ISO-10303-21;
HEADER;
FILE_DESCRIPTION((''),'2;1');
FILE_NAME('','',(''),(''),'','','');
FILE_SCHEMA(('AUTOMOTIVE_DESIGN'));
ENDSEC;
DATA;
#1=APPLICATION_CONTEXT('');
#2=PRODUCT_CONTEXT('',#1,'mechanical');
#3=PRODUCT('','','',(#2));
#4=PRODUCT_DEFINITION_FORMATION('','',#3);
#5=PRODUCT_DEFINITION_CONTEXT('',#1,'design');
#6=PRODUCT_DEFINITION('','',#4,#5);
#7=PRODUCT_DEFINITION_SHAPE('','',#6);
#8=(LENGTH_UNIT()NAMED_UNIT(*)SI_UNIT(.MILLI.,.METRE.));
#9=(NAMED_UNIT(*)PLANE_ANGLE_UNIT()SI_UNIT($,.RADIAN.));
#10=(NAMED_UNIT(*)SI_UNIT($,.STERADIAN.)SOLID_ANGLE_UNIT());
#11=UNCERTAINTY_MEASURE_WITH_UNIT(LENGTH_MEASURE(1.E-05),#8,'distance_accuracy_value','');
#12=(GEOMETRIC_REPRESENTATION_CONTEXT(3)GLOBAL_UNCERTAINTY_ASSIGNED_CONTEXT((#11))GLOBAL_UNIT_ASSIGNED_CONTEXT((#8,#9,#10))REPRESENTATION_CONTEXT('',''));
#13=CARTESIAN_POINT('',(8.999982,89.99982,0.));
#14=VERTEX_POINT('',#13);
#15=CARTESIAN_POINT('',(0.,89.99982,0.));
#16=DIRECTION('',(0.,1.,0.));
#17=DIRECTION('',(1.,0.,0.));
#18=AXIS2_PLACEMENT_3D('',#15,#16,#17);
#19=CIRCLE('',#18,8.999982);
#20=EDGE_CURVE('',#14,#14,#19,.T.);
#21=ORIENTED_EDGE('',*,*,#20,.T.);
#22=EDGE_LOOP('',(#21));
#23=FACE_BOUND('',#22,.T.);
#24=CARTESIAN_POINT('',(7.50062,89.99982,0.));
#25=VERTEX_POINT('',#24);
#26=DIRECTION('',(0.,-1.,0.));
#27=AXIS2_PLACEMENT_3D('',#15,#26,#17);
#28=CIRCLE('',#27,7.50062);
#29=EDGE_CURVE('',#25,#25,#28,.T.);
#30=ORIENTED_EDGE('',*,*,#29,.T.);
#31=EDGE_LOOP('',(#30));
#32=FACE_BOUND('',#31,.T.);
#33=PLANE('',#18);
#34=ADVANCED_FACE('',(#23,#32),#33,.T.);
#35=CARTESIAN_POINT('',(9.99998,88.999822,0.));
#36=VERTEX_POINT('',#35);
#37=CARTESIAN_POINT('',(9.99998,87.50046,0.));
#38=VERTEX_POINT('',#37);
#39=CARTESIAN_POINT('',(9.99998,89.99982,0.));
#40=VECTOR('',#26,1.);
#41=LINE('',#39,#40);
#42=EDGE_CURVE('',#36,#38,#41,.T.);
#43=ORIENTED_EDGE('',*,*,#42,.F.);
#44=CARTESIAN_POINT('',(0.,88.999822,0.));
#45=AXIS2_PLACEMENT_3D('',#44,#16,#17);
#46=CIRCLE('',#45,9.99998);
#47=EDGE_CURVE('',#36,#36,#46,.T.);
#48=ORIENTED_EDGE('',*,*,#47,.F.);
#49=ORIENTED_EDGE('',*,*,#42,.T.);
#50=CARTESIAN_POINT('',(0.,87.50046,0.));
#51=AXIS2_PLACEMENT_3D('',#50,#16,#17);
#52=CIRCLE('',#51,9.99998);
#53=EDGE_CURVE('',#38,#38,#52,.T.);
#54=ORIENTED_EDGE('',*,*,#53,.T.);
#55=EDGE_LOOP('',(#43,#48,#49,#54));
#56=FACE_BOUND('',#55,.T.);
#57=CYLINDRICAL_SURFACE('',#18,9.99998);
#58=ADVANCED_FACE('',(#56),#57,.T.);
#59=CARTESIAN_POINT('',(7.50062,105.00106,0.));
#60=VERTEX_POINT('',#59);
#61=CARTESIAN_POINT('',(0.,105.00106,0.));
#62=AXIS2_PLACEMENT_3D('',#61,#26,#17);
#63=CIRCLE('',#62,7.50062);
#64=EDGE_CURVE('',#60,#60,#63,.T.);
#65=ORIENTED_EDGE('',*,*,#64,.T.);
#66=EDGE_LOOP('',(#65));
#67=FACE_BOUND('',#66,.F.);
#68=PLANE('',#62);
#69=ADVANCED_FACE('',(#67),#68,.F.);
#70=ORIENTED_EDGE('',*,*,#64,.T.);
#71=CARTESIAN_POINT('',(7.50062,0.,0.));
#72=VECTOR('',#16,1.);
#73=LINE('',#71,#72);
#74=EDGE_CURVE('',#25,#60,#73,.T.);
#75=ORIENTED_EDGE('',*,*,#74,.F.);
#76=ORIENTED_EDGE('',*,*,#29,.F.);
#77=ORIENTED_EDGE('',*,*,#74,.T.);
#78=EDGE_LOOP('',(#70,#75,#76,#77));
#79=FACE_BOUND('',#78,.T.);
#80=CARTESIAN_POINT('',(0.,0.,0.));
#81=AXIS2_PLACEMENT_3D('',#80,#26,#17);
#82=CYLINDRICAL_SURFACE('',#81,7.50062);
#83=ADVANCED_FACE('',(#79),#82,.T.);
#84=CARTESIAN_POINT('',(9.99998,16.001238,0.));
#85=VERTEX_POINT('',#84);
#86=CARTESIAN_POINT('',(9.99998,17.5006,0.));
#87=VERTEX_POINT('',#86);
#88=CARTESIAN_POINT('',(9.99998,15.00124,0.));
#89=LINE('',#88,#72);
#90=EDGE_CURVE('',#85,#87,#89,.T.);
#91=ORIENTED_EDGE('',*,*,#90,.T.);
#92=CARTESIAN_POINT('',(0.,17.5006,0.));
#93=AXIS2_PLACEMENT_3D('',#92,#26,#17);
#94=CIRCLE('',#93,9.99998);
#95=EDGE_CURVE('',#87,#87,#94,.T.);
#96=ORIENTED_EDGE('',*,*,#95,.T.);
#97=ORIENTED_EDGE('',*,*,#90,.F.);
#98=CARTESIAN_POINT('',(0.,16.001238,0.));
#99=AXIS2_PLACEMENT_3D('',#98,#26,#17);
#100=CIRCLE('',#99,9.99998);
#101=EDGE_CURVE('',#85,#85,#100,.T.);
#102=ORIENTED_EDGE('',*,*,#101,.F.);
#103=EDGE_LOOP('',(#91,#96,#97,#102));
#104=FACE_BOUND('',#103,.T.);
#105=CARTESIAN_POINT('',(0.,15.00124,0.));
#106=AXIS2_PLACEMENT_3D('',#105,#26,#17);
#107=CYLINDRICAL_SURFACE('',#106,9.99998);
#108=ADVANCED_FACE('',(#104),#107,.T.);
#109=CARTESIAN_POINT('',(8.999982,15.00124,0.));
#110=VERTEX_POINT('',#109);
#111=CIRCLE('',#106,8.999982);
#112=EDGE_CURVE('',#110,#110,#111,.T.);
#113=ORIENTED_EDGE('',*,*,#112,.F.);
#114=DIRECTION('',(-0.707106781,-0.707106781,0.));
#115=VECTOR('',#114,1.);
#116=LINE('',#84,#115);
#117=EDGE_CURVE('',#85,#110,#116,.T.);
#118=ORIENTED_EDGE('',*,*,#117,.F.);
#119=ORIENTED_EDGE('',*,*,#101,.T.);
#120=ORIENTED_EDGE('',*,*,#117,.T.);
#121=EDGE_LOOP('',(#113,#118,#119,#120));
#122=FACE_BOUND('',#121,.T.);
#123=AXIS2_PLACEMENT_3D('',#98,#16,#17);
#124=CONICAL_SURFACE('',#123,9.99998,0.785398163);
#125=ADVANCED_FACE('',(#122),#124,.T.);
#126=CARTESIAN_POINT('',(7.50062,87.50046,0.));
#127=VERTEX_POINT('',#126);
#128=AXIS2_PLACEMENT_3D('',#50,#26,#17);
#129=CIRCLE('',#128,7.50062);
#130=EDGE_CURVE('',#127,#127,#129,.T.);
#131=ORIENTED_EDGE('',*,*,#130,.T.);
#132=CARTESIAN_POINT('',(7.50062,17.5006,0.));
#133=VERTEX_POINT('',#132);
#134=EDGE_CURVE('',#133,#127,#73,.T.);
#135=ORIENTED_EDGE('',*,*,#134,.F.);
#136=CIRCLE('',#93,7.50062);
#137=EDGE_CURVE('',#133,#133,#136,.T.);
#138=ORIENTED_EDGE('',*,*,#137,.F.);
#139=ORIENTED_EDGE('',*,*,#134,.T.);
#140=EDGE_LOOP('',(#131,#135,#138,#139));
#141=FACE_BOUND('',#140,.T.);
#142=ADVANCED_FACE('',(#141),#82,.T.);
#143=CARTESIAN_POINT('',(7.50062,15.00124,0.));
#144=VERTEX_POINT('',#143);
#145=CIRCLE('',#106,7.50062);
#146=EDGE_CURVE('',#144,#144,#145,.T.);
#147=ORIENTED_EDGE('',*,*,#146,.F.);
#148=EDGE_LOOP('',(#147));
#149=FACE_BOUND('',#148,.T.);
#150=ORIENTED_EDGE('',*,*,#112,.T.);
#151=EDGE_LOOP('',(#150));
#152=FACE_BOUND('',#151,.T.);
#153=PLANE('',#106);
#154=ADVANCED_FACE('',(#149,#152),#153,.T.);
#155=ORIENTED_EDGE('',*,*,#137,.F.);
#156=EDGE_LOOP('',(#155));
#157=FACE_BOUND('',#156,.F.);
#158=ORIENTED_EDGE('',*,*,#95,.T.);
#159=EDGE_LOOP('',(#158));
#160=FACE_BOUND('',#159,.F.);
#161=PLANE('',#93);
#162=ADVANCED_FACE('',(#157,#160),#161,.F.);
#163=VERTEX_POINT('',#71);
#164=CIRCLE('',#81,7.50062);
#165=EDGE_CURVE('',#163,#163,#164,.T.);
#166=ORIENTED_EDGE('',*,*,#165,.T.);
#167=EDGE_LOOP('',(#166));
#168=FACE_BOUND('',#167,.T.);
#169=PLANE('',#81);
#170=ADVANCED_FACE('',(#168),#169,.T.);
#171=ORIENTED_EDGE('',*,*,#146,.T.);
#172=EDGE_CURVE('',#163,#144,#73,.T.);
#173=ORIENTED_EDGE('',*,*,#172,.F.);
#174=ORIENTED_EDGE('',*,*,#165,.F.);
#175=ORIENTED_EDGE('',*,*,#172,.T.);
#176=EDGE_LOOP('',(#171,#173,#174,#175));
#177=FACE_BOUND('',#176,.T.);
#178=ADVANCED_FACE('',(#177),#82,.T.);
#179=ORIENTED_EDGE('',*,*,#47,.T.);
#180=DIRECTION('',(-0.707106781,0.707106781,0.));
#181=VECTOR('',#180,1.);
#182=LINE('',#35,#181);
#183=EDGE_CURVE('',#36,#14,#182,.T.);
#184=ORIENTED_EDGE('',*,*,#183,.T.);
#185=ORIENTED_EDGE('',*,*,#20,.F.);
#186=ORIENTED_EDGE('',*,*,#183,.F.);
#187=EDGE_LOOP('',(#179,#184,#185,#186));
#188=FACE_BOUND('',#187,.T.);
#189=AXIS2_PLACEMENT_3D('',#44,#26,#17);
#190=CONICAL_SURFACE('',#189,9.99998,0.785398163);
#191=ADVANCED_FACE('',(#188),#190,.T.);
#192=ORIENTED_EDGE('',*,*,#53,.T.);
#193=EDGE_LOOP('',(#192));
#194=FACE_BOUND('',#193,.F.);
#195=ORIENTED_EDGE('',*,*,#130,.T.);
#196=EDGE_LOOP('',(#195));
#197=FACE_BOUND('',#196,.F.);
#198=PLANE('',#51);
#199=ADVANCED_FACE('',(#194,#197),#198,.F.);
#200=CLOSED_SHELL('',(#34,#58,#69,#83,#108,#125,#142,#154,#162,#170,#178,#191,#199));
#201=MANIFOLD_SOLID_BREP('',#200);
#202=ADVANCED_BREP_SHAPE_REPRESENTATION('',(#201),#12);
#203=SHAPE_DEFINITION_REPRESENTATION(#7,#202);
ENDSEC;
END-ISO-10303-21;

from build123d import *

# Parameters (mm, degrees)
F0_R     = 7.50062
F1_DEPTH = 105.00106
F3_R     = 9.99998
F4_DEPTH = 2.49936
F6_R     = 9.99998
F7_DEPTH = 2.49936
F8_SIZE  = 0.999998


with BuildPart() as f1:
    # F0 (on Front) → F1 (new body)
    with BuildSketch(Plane.XZ):
        Circle(F0_R)
    extrude(amount=-F1_DEPTH)

    # F3 (on offset) → F4 (join)
    with BuildSketch(Plane.XZ.offset(-15.00124)):
        Circle(F3_R)
    extrude(amount=-F4_DEPTH)

    # F6 (on offset) → F7 (join)
    with BuildSketch(Plane(origin=(0, 89.99982, 0), x_dir=(1, 0, 0), z_dir=(0, 1, 0))):
        Circle(F6_R)
    extrude(amount=-F7_DEPTH)

    # F8
    f8_edges = [f1.edges().sort_by_distance(p)[0] for p in [
        (-9.99998, 15.00124, 0),
        (-9.99998, 89.99982, 0),
    ]]
    chamfer(f8_edges, length=F8_SIZE)


solid = f1.part
